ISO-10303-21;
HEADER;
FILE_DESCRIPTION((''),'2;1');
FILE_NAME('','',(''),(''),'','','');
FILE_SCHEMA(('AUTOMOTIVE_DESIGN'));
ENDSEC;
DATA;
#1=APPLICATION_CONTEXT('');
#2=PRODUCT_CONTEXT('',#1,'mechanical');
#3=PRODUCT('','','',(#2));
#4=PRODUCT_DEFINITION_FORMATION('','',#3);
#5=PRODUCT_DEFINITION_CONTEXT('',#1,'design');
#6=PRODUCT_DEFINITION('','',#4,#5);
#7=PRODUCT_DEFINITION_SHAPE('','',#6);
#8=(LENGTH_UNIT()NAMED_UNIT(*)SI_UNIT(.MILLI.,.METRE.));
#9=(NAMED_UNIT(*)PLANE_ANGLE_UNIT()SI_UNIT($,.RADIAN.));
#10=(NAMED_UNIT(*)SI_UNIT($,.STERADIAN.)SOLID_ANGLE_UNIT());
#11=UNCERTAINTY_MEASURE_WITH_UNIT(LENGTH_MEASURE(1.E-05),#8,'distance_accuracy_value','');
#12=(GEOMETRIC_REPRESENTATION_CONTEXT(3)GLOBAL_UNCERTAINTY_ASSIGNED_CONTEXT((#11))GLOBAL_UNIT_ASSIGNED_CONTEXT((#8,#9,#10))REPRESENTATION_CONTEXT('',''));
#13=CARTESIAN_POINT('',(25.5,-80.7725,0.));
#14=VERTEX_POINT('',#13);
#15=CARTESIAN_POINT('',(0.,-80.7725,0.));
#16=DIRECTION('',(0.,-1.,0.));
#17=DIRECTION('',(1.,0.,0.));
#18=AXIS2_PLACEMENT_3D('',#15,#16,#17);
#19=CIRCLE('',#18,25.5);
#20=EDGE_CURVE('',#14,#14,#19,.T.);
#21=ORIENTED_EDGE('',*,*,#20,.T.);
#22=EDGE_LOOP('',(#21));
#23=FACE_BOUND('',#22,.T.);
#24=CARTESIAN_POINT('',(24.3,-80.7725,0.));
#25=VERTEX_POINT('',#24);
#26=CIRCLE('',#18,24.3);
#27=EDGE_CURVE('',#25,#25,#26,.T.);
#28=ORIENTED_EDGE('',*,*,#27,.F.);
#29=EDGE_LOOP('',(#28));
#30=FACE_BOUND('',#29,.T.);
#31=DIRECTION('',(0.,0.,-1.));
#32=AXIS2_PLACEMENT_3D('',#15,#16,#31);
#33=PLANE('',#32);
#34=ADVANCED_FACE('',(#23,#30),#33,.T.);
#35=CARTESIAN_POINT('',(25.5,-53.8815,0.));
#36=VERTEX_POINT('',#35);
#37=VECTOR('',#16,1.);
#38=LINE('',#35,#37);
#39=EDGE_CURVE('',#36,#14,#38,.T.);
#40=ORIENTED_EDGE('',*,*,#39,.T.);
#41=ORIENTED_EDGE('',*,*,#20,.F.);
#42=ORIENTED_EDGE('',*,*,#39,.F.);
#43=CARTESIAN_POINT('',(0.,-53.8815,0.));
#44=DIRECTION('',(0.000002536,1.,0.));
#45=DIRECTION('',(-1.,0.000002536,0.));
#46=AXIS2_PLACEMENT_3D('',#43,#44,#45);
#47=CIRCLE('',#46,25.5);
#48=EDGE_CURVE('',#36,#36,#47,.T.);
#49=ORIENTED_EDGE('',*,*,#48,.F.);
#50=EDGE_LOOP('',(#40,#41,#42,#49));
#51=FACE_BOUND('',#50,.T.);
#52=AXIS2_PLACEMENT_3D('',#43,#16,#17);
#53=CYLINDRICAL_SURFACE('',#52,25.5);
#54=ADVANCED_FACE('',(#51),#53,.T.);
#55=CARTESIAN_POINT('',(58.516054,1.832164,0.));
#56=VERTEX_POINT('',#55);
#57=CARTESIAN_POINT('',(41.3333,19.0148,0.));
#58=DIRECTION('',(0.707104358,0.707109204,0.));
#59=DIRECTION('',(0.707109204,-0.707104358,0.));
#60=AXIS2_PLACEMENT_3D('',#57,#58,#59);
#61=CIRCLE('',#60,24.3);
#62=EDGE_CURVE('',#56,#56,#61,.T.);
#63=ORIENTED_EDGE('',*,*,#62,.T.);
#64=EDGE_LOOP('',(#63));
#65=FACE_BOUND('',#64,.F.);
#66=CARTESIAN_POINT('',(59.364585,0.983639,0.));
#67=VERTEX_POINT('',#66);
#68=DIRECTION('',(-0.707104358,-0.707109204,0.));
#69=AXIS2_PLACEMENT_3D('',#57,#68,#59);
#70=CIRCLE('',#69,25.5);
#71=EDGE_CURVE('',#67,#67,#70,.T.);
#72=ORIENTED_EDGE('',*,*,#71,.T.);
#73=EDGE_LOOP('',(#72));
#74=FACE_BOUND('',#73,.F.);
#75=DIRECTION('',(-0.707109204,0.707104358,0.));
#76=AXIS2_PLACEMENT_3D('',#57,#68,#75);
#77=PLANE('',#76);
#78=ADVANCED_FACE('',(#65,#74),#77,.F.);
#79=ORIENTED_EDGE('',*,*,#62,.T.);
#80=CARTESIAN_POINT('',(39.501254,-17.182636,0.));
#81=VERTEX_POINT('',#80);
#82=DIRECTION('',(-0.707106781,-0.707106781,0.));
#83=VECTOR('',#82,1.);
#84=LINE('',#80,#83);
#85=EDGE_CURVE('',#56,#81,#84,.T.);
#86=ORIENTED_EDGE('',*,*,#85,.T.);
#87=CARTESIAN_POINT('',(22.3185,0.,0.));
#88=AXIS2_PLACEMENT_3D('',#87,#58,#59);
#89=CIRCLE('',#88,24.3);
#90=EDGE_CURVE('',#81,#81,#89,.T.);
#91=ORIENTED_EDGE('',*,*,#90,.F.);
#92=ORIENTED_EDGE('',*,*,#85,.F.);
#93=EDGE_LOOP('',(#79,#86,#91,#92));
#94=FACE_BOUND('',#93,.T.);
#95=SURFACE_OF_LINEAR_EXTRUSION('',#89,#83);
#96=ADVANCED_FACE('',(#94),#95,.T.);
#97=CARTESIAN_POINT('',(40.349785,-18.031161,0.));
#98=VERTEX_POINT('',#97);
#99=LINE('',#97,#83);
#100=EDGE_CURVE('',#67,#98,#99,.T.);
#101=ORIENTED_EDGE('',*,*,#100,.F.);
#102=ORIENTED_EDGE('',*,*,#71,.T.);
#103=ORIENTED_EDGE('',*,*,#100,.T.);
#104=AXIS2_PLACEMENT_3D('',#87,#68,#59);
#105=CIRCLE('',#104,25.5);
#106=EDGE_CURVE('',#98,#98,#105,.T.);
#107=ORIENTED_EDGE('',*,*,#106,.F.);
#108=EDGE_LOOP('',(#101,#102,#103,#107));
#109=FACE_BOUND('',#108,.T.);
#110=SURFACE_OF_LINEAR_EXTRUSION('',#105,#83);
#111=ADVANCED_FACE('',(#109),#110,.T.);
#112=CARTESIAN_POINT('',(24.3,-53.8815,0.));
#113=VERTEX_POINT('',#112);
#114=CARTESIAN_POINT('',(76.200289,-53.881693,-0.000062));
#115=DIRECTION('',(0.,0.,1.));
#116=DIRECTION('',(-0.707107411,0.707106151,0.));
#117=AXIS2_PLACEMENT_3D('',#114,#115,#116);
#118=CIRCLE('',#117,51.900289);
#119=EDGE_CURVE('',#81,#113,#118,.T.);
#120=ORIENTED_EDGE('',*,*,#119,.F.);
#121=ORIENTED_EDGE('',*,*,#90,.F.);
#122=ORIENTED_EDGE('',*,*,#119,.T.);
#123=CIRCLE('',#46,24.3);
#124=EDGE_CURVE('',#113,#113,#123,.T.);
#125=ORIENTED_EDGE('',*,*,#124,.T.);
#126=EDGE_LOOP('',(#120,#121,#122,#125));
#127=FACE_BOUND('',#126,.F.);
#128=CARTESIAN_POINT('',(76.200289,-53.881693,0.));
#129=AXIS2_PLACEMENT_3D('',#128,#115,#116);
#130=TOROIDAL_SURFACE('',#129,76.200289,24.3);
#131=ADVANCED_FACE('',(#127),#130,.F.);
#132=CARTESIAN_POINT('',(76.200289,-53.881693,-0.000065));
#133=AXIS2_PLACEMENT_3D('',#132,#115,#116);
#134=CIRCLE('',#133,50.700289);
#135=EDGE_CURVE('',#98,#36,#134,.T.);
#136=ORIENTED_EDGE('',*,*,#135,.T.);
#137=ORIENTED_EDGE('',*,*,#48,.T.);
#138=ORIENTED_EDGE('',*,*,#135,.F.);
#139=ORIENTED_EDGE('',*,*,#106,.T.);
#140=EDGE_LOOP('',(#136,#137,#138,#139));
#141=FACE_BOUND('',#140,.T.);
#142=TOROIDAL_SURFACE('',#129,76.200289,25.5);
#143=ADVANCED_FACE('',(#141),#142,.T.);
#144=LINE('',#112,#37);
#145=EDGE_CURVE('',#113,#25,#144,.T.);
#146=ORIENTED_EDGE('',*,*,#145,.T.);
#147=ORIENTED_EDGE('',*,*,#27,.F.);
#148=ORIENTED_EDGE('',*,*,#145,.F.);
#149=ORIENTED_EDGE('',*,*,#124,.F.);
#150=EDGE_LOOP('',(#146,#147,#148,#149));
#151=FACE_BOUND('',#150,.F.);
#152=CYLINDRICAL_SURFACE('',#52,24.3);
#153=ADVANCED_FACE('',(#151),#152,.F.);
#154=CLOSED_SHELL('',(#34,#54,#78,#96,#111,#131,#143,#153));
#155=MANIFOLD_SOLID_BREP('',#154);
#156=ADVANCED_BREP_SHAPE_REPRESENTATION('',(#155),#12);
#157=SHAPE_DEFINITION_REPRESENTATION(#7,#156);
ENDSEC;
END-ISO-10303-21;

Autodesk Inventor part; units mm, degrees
ref_plane "YZ Plane" through (0, 0, 0) normal (1, 0, 0) x (0, 1, 0)
ref_plane "XZ Plane" through (0, 0, 0) normal (0, 1, 0) x (-1, 0, 0)
sketch "Szkic6" plane through (0, 0, 0) normal (0, 0, 1) x (1, 0, 0)
  line L0 (-29.6067, 0) -> (35.2678, 0) construction
  line L1 (0, 42.3419) -> (0, -58.3726) construction
  arc A0 (22.3185, 0) -> (0, -53.8815) centre (76.2, -53.8815) ccw
  line L2 (0, -53.8815) -> (76.2, -53.8815) construction
  line L3 (76.2, -53.8815) -> (29.8611, -7.5426) construction
  line L4 (22.3185, 0) -> (41.3333, 19.0148)
  line L5 (0, -53.8815) -> (0, -80.7725)
  point P0 (0, 0)
  dimension "d24" = 76.2
  dimension "d31" = 45
  dimension "d36" = 26.891
  dimension "d37" = 26.891
ref_plane "Płaszczyzna konstrukcyjna2" through (0, -53.8815, 0) normal (0, -1, 0) x (1, 0, 0)
sketch "Szkic8" plane through (0, -53.8815, 0) normal (0, -1, 0) x (1, 0, 0)
  circle A0 centre (0, 0) radius 25.5
  circle A1 centre (0, 0) radius 24.3
  dimension "d32" = 51
  dimension "d33" = 1.2
sweep "Przeciągnięcie2" add profiles "Szkic8" path "Szkic6"
equation "\"d32\" = OD"
equation "\"d33\" = THK"
equation "\"d24\" = R"
equation "\"d31\" = KAT"
equation "\"d36\" = PROSTKA"
equation "\"d37\" = PROSTKA"
equation "\"SzerokośćGięciaPodcięcia\" = Grubość"
equation "\"RozmiarPodcięciaNarożnika\" = 4 * Grubość"
equation "\"PromieńPrzejścia\" = PromieńGięcia"
equation "\"Rozmiar_promienia_Jacobiego\" = PromieńGięcia"
equation "\"Wielk_odstępu\" = Grubość"
equation "\"d2\" = PromieńGięcia"
equation "\"d23\" = PromieńGięcia"
equation "\"R\" = 76.2"
equation "\"OD\" = 51"
equation "\"THK\" = 1.2"
equation "\"KAT\" = 45deg"
equation "\"PROSTKA\" = 26.891"
equation "\"Grubość\" = 1.5"
equation "\"PromieńGięcia\" = 3"
properties part number "Kolano 45° ø51x1,2 R76,2" material "304L"
